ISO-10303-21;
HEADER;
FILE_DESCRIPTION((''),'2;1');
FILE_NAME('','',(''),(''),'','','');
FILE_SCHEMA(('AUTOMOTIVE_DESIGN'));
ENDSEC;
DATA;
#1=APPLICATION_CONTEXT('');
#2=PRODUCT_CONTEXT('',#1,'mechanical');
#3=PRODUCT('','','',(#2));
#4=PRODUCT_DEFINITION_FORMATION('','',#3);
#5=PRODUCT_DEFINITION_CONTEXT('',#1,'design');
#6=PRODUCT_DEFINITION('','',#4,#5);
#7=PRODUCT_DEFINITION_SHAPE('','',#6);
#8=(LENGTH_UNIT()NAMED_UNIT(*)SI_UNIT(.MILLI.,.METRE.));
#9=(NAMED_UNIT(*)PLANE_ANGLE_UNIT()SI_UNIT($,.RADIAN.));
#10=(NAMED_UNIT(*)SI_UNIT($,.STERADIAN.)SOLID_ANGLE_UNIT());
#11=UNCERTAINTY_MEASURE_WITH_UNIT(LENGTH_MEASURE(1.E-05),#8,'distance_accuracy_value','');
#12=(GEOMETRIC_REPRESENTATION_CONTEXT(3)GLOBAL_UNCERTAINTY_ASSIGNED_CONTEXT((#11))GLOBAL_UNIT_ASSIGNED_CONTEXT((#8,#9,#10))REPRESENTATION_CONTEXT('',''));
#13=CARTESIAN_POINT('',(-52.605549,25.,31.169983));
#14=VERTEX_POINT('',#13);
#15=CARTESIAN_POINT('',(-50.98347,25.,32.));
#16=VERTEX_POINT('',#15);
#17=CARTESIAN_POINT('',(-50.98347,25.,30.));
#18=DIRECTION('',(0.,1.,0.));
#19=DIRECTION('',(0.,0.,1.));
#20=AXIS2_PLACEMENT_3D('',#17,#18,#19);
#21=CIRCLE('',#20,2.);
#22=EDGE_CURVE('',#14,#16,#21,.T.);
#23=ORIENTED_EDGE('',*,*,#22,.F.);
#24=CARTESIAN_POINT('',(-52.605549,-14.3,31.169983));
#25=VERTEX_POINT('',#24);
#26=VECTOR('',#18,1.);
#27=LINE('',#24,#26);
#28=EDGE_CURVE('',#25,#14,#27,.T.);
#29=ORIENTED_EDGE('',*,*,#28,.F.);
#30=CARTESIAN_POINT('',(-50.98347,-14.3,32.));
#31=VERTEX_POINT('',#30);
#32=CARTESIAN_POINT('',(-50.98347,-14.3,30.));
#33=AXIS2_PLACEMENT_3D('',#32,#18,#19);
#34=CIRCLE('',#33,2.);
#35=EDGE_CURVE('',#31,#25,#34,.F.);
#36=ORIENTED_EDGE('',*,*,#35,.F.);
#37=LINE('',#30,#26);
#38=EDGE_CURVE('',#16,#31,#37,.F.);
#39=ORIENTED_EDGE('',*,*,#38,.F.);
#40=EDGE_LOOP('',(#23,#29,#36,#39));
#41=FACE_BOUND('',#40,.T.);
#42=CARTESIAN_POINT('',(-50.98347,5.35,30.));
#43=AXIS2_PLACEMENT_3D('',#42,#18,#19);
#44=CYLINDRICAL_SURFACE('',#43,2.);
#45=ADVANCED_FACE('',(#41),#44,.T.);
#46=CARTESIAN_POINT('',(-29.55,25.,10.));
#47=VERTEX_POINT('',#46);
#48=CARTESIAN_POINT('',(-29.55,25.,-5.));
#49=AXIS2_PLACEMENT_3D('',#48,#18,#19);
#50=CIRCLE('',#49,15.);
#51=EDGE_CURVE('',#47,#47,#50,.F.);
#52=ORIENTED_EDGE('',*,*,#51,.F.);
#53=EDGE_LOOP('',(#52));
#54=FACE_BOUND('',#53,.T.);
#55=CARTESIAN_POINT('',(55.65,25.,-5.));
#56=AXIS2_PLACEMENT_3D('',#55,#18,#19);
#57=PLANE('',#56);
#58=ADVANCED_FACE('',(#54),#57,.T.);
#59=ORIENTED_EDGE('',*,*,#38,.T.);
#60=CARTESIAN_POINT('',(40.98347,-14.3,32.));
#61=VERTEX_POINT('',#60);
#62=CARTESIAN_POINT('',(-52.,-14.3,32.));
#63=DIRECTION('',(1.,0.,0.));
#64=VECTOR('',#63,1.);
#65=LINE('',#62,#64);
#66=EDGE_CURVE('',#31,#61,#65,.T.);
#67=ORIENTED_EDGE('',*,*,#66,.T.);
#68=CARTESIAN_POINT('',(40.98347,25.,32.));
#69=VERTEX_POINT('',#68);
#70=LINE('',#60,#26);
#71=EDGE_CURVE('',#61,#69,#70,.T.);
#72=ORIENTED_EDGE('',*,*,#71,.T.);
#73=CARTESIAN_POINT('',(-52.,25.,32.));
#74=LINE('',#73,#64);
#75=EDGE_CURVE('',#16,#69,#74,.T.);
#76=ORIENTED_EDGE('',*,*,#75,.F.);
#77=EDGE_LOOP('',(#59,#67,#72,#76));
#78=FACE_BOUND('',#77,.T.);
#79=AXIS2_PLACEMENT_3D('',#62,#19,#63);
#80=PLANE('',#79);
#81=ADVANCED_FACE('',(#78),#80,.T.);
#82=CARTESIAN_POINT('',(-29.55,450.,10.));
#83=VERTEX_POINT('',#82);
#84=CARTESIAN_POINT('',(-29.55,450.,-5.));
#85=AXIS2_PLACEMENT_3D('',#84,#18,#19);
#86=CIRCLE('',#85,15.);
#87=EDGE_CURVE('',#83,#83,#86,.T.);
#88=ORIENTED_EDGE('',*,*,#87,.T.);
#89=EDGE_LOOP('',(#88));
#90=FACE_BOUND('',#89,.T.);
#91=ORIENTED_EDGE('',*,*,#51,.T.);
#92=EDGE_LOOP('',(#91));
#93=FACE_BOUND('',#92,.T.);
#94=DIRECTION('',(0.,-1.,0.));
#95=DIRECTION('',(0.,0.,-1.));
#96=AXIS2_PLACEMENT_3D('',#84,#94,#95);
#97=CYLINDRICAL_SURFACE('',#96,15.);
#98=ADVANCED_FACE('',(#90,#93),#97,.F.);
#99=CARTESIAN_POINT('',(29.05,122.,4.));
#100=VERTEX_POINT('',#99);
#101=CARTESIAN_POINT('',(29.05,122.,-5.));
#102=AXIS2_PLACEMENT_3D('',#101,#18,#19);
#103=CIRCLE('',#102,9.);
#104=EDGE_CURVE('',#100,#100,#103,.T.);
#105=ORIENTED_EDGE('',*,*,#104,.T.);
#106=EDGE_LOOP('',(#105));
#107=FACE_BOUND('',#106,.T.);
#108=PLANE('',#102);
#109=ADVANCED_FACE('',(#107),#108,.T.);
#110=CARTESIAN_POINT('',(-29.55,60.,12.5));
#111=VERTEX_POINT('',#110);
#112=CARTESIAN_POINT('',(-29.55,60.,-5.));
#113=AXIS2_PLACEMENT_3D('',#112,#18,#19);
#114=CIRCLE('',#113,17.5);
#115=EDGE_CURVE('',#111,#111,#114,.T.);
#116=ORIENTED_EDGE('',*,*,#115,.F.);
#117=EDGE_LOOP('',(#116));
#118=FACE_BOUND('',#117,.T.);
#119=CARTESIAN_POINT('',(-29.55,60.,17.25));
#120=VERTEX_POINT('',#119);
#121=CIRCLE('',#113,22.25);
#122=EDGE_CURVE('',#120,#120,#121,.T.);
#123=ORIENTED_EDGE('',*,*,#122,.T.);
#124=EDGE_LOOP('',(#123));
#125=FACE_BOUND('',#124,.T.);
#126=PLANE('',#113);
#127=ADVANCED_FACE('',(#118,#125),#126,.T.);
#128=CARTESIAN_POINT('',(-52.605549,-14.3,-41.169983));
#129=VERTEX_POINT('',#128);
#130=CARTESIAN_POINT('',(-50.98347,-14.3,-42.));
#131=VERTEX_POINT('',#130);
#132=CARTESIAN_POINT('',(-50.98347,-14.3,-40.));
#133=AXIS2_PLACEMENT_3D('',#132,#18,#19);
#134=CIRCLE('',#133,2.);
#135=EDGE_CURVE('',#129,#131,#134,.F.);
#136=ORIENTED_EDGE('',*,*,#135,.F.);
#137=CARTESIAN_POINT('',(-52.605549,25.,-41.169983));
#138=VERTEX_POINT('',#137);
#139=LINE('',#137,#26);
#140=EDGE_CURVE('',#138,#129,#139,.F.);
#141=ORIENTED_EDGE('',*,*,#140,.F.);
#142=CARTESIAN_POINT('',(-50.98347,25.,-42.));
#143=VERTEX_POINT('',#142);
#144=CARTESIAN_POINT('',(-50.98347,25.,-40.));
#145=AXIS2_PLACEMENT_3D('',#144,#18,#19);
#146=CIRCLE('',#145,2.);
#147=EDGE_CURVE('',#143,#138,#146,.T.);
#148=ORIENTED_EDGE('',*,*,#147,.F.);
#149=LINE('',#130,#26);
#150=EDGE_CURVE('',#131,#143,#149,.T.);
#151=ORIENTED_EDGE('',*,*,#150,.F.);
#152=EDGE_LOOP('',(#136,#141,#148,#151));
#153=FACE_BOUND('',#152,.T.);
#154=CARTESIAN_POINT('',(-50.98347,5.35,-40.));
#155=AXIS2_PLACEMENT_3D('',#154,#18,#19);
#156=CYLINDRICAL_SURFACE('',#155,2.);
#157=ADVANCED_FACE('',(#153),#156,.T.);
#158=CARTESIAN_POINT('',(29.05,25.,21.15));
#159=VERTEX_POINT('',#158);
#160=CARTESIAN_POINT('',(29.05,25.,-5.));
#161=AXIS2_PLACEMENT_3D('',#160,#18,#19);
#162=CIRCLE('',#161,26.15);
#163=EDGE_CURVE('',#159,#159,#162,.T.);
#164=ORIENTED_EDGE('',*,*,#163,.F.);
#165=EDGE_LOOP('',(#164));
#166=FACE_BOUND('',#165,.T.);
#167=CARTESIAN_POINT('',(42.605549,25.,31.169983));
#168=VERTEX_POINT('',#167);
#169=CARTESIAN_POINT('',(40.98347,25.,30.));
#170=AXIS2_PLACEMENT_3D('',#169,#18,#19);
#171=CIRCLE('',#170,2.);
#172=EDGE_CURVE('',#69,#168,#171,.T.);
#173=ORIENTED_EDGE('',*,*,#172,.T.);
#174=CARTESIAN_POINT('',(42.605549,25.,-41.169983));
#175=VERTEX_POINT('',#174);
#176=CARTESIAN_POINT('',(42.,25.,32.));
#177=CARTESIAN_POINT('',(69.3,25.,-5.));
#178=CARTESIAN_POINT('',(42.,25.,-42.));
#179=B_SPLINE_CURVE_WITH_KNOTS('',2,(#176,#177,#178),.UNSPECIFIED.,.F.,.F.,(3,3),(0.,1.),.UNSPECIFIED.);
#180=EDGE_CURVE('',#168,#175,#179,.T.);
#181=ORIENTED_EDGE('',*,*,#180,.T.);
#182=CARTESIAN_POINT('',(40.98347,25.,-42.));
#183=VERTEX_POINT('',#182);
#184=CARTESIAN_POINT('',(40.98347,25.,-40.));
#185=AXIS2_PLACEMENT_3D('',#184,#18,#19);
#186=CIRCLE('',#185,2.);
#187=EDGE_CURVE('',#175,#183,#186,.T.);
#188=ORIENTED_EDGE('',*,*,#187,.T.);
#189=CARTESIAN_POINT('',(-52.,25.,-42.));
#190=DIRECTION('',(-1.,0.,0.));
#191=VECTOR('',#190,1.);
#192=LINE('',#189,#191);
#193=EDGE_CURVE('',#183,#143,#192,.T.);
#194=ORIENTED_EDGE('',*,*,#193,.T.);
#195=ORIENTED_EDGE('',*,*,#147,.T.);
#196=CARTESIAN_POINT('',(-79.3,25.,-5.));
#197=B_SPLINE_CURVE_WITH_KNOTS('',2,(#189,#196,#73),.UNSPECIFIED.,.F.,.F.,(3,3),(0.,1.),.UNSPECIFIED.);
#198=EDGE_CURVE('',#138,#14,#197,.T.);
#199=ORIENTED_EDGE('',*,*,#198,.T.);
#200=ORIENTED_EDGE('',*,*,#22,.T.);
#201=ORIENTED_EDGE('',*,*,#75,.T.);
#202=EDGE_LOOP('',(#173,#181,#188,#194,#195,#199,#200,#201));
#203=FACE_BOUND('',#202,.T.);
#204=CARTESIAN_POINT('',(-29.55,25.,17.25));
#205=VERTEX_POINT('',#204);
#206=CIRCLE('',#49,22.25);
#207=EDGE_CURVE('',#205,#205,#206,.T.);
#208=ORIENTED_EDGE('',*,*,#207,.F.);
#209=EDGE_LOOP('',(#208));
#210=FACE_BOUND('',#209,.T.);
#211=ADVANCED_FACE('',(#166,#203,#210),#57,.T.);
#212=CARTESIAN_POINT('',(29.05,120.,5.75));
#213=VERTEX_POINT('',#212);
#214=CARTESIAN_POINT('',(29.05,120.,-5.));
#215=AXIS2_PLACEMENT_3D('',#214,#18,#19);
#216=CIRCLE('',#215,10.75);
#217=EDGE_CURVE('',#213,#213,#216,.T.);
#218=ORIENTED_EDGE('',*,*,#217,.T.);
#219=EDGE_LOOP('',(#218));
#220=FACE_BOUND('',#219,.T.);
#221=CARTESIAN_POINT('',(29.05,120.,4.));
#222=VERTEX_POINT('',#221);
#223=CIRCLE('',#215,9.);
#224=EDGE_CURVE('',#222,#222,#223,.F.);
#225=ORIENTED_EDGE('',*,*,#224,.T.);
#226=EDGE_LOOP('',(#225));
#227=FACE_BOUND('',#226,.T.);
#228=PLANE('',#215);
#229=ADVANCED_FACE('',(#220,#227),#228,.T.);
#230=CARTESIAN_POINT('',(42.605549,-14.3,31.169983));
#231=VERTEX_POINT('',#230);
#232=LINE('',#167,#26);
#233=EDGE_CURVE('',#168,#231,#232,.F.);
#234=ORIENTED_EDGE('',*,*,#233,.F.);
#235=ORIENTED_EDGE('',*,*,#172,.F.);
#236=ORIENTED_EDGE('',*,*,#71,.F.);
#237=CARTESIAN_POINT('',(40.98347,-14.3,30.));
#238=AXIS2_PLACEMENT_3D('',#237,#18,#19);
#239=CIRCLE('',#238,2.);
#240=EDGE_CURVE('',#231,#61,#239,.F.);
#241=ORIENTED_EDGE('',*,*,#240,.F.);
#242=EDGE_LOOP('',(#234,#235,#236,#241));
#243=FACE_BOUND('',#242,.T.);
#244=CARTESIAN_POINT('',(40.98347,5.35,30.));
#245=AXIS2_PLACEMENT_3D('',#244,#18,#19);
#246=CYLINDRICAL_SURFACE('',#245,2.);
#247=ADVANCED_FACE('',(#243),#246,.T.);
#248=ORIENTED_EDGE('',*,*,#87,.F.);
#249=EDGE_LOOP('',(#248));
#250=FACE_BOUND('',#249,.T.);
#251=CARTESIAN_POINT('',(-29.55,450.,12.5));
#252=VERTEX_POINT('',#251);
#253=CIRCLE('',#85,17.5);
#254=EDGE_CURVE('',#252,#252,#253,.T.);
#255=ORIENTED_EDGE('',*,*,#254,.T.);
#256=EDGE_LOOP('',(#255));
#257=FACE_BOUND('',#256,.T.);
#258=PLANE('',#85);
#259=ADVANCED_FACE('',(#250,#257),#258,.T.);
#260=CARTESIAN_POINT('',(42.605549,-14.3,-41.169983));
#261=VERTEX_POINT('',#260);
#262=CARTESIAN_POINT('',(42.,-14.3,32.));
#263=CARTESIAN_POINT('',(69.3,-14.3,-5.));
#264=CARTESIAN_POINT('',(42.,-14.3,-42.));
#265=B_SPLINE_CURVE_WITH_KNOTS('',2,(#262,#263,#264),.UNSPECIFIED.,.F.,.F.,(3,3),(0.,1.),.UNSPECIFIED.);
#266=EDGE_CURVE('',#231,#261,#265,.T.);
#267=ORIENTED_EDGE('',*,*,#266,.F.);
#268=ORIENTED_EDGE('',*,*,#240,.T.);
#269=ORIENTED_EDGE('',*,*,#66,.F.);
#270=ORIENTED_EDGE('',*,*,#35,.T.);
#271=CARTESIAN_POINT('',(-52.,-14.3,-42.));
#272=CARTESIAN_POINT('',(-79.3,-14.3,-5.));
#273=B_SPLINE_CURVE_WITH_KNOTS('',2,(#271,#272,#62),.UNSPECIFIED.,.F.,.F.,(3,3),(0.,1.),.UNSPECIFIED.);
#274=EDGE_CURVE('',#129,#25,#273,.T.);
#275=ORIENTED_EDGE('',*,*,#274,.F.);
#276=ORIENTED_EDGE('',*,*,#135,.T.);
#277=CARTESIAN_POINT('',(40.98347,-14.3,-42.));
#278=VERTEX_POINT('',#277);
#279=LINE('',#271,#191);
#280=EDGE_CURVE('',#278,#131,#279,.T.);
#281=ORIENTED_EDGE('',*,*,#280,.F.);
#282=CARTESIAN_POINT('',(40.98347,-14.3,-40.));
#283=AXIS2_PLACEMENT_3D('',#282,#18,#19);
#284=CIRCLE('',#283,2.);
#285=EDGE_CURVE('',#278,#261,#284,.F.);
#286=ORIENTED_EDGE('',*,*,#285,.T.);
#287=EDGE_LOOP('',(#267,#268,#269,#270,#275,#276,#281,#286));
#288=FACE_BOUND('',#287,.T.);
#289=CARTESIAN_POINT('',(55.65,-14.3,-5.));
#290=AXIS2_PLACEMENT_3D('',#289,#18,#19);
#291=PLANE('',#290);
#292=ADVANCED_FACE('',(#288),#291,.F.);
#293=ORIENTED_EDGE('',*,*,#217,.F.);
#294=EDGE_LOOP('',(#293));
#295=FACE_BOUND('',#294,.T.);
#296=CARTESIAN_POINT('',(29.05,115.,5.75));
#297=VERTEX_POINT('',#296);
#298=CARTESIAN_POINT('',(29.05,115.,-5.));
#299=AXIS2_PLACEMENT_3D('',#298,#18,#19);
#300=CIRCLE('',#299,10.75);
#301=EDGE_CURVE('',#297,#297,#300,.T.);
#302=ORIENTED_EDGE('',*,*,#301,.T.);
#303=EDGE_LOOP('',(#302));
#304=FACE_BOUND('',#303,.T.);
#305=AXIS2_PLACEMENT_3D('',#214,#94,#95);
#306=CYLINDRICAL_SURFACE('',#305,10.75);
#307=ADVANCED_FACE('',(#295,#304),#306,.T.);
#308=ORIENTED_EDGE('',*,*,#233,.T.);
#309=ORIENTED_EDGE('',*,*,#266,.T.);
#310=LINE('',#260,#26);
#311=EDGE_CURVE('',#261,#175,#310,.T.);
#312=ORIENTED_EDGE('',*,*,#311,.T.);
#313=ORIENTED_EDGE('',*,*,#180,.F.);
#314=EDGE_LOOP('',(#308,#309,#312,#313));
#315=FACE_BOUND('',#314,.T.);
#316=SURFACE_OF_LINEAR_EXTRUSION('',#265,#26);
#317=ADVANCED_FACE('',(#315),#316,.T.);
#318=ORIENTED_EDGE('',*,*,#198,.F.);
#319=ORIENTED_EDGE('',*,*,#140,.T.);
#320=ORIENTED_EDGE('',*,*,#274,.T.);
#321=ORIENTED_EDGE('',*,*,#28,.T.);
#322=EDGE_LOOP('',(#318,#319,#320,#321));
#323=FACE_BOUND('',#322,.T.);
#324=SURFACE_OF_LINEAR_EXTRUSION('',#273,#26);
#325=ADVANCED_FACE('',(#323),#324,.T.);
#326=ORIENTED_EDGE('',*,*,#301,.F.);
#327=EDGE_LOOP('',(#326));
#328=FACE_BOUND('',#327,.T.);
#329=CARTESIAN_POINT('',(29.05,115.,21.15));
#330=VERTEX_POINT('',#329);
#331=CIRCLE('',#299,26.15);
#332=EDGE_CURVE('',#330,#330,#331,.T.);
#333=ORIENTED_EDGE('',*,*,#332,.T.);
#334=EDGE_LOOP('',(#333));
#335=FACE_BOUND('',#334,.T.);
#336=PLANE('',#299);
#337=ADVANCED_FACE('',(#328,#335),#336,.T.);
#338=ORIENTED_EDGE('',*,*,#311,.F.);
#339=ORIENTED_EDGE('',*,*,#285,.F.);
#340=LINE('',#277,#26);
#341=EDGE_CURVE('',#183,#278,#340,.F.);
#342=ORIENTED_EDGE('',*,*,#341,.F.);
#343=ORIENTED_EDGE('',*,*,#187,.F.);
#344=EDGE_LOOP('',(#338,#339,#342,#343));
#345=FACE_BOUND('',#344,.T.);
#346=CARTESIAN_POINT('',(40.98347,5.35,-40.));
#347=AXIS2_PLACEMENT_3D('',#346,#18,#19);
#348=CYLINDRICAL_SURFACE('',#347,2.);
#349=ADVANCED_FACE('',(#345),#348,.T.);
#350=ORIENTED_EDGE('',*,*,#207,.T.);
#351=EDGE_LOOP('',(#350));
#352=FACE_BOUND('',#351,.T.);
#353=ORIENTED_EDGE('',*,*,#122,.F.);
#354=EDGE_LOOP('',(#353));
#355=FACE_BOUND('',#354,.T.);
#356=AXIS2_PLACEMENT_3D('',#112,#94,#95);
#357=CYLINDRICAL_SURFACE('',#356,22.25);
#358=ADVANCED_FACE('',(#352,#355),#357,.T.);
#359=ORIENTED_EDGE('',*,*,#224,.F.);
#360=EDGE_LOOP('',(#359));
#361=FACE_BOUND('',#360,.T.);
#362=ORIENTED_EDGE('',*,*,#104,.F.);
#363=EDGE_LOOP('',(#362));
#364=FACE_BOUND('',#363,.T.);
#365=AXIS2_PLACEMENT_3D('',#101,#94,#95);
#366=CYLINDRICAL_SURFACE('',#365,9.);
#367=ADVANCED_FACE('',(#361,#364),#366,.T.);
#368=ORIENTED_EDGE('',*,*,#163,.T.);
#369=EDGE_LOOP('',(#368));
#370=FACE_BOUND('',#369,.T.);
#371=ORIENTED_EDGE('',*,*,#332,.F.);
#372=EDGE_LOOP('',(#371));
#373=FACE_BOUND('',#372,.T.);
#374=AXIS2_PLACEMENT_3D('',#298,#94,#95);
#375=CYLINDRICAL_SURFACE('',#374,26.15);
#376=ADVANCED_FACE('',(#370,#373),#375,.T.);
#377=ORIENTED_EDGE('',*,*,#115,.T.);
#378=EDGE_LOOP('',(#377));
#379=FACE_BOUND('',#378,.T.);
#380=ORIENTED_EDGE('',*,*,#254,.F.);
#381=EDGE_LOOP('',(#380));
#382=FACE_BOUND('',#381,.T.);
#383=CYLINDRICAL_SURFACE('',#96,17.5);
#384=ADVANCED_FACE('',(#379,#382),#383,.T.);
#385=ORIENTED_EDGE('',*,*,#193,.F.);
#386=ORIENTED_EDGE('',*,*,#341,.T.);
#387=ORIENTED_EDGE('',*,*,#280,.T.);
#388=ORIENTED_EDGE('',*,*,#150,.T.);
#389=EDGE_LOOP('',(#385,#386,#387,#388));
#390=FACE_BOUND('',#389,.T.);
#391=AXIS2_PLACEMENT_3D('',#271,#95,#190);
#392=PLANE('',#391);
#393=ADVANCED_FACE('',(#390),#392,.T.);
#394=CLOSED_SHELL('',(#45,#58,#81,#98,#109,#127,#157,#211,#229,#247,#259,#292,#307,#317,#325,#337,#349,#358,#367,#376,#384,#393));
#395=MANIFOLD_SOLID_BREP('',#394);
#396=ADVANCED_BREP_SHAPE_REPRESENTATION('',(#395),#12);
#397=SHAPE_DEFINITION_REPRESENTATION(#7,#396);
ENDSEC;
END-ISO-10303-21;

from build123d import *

# Parameters (mm, degrees)
BOSS_EXTRUDE3_DEPTH      = 25
BOSS_EXTRUDE3_DEPTH_BACK = 14.3
SKETCH6_R                = 26.15
BOSS_EXTRUDE4_DEPTH      = 90
SKETCH7_R                = 10.75
SKETCH7_R_2              = 8.15
BOSS_EXTRUDE5_DEPTH      = 5
SKETCH8_R                = 9
BOSS_EXTRUDE6_DEPTH      = 7
SKETCH9_R                = 22.25
SKETCH9_R_2              = 17.5
SKETCH9_R_3              = 26.15
BOSS_EXTRUDE7_DEPTH      = 35
SKETCH10_R               = 17.5
SKETCH10_R_2             = 15
BOSS_EXTRUDE8_DEPTH      = 425
FILLET1_R                = 2


with BuildPart() as part:
    # Sketch5 → Boss-Extrude3 (new body, two sides)
    with BuildSketch(Plane(origin=(0, 0, 0), x_dir=(1, 0, 0), z_dir=(0, 1, 0))) as boss_extrude3_sk:
        with BuildLine():
            Line((-52, -32), (42, -32))
            add(Edge.make_bspline(
                [(42, 42), (69.3, 5), (42, -32)],
                knots=[0, 0, 0, 1, 1, 1], degree=2))
            Line((42, 42), (-52, 42))
            add(Edge.make_bspline(
                [(-52, 42), (-79.3, 5), (-52, -32)],
                knots=[0, 0, 0, 1, 1, 1], degree=2))
        make_face()
    extrude(amount=BOSS_EXTRUDE3_DEPTH)
    extrude(boss_extrude3_sk.sketch, amount=-BOSS_EXTRUDE3_DEPTH_BACK)

    # Sketch6 → Boss-Extrude4 (add)
    with BuildSketch(Plane(origin=(0, 25, 0), x_dir=(1, 0, 0), z_dir=(0, 1, 0))):
        with Locations((29.05, 5)):
            Circle(SKETCH6_R)
    extrude(amount=BOSS_EXTRUDE4_DEPTH)

    # Sketch7 → Boss-Extrude5 (add)
    with BuildSketch(Plane(origin=(0, 115, 0), x_dir=(1, 0, 0), z_dir=(0, 1, 0))):
        with Locations((29.05, 5)):
            Circle(SKETCH7_R)
        with Locations((29.05, 5)):
            Circle(SKETCH7_R_2, mode=Mode.SUBTRACT)
    extrude(amount=BOSS_EXTRUDE5_DEPTH)

    # Sketch8 → Boss-Extrude6 (add)
    with BuildSketch(Plane(origin=(0, 115, 0), x_dir=(1, 0, 0), z_dir=(0, 1, 0))):
        with Locations((29.05, 5)):
            Circle(SKETCH8_R)
    extrude(amount=BOSS_EXTRUDE6_DEPTH)

    # Sketch9 → Boss-Extrude7 (add)
    with BuildSketch(Plane(origin=(0, 25, 0), x_dir=(1, 0, 0), z_dir=(0, 1, 0))):
        with Locations((-29.55, 5)):
            Circle(SKETCH9_R)
        with Locations((-29.55, 5)):
            Circle(SKETCH9_R_2, mode=Mode.SUBTRACT)
        with Locations((29.05, 5)):
            Circle(SKETCH9_R_3)
    extrude(amount=BOSS_EXTRUDE7_DEPTH)

    # Sketch10 → Boss-Extrude8 (add)
    with BuildSketch(Plane(origin=(0, 25, 0), x_dir=(1, 0, 0), z_dir=(0, 1, 0))):
        with Locations((-29.55, 5)):
            Circle(SKETCH10_R)
        with Locations((-29.55, 5)):
            Circle(SKETCH10_R_2, mode=Mode.SUBTRACT)
    extrude(amount=BOSS_EXTRUDE8_DEPTH)

    # Fillet1
    fillet1_edges = [part.edges().sort_by_distance(p)[0] for p in [
        (42, 12.5, -42),
        (-52, 12.5, -42),
        (-52, 12.5, 32),
        (42, 12.5, 32),
    ]]
    fillet(fillet1_edges, radius=FILLET1_R)


solid = part.part
